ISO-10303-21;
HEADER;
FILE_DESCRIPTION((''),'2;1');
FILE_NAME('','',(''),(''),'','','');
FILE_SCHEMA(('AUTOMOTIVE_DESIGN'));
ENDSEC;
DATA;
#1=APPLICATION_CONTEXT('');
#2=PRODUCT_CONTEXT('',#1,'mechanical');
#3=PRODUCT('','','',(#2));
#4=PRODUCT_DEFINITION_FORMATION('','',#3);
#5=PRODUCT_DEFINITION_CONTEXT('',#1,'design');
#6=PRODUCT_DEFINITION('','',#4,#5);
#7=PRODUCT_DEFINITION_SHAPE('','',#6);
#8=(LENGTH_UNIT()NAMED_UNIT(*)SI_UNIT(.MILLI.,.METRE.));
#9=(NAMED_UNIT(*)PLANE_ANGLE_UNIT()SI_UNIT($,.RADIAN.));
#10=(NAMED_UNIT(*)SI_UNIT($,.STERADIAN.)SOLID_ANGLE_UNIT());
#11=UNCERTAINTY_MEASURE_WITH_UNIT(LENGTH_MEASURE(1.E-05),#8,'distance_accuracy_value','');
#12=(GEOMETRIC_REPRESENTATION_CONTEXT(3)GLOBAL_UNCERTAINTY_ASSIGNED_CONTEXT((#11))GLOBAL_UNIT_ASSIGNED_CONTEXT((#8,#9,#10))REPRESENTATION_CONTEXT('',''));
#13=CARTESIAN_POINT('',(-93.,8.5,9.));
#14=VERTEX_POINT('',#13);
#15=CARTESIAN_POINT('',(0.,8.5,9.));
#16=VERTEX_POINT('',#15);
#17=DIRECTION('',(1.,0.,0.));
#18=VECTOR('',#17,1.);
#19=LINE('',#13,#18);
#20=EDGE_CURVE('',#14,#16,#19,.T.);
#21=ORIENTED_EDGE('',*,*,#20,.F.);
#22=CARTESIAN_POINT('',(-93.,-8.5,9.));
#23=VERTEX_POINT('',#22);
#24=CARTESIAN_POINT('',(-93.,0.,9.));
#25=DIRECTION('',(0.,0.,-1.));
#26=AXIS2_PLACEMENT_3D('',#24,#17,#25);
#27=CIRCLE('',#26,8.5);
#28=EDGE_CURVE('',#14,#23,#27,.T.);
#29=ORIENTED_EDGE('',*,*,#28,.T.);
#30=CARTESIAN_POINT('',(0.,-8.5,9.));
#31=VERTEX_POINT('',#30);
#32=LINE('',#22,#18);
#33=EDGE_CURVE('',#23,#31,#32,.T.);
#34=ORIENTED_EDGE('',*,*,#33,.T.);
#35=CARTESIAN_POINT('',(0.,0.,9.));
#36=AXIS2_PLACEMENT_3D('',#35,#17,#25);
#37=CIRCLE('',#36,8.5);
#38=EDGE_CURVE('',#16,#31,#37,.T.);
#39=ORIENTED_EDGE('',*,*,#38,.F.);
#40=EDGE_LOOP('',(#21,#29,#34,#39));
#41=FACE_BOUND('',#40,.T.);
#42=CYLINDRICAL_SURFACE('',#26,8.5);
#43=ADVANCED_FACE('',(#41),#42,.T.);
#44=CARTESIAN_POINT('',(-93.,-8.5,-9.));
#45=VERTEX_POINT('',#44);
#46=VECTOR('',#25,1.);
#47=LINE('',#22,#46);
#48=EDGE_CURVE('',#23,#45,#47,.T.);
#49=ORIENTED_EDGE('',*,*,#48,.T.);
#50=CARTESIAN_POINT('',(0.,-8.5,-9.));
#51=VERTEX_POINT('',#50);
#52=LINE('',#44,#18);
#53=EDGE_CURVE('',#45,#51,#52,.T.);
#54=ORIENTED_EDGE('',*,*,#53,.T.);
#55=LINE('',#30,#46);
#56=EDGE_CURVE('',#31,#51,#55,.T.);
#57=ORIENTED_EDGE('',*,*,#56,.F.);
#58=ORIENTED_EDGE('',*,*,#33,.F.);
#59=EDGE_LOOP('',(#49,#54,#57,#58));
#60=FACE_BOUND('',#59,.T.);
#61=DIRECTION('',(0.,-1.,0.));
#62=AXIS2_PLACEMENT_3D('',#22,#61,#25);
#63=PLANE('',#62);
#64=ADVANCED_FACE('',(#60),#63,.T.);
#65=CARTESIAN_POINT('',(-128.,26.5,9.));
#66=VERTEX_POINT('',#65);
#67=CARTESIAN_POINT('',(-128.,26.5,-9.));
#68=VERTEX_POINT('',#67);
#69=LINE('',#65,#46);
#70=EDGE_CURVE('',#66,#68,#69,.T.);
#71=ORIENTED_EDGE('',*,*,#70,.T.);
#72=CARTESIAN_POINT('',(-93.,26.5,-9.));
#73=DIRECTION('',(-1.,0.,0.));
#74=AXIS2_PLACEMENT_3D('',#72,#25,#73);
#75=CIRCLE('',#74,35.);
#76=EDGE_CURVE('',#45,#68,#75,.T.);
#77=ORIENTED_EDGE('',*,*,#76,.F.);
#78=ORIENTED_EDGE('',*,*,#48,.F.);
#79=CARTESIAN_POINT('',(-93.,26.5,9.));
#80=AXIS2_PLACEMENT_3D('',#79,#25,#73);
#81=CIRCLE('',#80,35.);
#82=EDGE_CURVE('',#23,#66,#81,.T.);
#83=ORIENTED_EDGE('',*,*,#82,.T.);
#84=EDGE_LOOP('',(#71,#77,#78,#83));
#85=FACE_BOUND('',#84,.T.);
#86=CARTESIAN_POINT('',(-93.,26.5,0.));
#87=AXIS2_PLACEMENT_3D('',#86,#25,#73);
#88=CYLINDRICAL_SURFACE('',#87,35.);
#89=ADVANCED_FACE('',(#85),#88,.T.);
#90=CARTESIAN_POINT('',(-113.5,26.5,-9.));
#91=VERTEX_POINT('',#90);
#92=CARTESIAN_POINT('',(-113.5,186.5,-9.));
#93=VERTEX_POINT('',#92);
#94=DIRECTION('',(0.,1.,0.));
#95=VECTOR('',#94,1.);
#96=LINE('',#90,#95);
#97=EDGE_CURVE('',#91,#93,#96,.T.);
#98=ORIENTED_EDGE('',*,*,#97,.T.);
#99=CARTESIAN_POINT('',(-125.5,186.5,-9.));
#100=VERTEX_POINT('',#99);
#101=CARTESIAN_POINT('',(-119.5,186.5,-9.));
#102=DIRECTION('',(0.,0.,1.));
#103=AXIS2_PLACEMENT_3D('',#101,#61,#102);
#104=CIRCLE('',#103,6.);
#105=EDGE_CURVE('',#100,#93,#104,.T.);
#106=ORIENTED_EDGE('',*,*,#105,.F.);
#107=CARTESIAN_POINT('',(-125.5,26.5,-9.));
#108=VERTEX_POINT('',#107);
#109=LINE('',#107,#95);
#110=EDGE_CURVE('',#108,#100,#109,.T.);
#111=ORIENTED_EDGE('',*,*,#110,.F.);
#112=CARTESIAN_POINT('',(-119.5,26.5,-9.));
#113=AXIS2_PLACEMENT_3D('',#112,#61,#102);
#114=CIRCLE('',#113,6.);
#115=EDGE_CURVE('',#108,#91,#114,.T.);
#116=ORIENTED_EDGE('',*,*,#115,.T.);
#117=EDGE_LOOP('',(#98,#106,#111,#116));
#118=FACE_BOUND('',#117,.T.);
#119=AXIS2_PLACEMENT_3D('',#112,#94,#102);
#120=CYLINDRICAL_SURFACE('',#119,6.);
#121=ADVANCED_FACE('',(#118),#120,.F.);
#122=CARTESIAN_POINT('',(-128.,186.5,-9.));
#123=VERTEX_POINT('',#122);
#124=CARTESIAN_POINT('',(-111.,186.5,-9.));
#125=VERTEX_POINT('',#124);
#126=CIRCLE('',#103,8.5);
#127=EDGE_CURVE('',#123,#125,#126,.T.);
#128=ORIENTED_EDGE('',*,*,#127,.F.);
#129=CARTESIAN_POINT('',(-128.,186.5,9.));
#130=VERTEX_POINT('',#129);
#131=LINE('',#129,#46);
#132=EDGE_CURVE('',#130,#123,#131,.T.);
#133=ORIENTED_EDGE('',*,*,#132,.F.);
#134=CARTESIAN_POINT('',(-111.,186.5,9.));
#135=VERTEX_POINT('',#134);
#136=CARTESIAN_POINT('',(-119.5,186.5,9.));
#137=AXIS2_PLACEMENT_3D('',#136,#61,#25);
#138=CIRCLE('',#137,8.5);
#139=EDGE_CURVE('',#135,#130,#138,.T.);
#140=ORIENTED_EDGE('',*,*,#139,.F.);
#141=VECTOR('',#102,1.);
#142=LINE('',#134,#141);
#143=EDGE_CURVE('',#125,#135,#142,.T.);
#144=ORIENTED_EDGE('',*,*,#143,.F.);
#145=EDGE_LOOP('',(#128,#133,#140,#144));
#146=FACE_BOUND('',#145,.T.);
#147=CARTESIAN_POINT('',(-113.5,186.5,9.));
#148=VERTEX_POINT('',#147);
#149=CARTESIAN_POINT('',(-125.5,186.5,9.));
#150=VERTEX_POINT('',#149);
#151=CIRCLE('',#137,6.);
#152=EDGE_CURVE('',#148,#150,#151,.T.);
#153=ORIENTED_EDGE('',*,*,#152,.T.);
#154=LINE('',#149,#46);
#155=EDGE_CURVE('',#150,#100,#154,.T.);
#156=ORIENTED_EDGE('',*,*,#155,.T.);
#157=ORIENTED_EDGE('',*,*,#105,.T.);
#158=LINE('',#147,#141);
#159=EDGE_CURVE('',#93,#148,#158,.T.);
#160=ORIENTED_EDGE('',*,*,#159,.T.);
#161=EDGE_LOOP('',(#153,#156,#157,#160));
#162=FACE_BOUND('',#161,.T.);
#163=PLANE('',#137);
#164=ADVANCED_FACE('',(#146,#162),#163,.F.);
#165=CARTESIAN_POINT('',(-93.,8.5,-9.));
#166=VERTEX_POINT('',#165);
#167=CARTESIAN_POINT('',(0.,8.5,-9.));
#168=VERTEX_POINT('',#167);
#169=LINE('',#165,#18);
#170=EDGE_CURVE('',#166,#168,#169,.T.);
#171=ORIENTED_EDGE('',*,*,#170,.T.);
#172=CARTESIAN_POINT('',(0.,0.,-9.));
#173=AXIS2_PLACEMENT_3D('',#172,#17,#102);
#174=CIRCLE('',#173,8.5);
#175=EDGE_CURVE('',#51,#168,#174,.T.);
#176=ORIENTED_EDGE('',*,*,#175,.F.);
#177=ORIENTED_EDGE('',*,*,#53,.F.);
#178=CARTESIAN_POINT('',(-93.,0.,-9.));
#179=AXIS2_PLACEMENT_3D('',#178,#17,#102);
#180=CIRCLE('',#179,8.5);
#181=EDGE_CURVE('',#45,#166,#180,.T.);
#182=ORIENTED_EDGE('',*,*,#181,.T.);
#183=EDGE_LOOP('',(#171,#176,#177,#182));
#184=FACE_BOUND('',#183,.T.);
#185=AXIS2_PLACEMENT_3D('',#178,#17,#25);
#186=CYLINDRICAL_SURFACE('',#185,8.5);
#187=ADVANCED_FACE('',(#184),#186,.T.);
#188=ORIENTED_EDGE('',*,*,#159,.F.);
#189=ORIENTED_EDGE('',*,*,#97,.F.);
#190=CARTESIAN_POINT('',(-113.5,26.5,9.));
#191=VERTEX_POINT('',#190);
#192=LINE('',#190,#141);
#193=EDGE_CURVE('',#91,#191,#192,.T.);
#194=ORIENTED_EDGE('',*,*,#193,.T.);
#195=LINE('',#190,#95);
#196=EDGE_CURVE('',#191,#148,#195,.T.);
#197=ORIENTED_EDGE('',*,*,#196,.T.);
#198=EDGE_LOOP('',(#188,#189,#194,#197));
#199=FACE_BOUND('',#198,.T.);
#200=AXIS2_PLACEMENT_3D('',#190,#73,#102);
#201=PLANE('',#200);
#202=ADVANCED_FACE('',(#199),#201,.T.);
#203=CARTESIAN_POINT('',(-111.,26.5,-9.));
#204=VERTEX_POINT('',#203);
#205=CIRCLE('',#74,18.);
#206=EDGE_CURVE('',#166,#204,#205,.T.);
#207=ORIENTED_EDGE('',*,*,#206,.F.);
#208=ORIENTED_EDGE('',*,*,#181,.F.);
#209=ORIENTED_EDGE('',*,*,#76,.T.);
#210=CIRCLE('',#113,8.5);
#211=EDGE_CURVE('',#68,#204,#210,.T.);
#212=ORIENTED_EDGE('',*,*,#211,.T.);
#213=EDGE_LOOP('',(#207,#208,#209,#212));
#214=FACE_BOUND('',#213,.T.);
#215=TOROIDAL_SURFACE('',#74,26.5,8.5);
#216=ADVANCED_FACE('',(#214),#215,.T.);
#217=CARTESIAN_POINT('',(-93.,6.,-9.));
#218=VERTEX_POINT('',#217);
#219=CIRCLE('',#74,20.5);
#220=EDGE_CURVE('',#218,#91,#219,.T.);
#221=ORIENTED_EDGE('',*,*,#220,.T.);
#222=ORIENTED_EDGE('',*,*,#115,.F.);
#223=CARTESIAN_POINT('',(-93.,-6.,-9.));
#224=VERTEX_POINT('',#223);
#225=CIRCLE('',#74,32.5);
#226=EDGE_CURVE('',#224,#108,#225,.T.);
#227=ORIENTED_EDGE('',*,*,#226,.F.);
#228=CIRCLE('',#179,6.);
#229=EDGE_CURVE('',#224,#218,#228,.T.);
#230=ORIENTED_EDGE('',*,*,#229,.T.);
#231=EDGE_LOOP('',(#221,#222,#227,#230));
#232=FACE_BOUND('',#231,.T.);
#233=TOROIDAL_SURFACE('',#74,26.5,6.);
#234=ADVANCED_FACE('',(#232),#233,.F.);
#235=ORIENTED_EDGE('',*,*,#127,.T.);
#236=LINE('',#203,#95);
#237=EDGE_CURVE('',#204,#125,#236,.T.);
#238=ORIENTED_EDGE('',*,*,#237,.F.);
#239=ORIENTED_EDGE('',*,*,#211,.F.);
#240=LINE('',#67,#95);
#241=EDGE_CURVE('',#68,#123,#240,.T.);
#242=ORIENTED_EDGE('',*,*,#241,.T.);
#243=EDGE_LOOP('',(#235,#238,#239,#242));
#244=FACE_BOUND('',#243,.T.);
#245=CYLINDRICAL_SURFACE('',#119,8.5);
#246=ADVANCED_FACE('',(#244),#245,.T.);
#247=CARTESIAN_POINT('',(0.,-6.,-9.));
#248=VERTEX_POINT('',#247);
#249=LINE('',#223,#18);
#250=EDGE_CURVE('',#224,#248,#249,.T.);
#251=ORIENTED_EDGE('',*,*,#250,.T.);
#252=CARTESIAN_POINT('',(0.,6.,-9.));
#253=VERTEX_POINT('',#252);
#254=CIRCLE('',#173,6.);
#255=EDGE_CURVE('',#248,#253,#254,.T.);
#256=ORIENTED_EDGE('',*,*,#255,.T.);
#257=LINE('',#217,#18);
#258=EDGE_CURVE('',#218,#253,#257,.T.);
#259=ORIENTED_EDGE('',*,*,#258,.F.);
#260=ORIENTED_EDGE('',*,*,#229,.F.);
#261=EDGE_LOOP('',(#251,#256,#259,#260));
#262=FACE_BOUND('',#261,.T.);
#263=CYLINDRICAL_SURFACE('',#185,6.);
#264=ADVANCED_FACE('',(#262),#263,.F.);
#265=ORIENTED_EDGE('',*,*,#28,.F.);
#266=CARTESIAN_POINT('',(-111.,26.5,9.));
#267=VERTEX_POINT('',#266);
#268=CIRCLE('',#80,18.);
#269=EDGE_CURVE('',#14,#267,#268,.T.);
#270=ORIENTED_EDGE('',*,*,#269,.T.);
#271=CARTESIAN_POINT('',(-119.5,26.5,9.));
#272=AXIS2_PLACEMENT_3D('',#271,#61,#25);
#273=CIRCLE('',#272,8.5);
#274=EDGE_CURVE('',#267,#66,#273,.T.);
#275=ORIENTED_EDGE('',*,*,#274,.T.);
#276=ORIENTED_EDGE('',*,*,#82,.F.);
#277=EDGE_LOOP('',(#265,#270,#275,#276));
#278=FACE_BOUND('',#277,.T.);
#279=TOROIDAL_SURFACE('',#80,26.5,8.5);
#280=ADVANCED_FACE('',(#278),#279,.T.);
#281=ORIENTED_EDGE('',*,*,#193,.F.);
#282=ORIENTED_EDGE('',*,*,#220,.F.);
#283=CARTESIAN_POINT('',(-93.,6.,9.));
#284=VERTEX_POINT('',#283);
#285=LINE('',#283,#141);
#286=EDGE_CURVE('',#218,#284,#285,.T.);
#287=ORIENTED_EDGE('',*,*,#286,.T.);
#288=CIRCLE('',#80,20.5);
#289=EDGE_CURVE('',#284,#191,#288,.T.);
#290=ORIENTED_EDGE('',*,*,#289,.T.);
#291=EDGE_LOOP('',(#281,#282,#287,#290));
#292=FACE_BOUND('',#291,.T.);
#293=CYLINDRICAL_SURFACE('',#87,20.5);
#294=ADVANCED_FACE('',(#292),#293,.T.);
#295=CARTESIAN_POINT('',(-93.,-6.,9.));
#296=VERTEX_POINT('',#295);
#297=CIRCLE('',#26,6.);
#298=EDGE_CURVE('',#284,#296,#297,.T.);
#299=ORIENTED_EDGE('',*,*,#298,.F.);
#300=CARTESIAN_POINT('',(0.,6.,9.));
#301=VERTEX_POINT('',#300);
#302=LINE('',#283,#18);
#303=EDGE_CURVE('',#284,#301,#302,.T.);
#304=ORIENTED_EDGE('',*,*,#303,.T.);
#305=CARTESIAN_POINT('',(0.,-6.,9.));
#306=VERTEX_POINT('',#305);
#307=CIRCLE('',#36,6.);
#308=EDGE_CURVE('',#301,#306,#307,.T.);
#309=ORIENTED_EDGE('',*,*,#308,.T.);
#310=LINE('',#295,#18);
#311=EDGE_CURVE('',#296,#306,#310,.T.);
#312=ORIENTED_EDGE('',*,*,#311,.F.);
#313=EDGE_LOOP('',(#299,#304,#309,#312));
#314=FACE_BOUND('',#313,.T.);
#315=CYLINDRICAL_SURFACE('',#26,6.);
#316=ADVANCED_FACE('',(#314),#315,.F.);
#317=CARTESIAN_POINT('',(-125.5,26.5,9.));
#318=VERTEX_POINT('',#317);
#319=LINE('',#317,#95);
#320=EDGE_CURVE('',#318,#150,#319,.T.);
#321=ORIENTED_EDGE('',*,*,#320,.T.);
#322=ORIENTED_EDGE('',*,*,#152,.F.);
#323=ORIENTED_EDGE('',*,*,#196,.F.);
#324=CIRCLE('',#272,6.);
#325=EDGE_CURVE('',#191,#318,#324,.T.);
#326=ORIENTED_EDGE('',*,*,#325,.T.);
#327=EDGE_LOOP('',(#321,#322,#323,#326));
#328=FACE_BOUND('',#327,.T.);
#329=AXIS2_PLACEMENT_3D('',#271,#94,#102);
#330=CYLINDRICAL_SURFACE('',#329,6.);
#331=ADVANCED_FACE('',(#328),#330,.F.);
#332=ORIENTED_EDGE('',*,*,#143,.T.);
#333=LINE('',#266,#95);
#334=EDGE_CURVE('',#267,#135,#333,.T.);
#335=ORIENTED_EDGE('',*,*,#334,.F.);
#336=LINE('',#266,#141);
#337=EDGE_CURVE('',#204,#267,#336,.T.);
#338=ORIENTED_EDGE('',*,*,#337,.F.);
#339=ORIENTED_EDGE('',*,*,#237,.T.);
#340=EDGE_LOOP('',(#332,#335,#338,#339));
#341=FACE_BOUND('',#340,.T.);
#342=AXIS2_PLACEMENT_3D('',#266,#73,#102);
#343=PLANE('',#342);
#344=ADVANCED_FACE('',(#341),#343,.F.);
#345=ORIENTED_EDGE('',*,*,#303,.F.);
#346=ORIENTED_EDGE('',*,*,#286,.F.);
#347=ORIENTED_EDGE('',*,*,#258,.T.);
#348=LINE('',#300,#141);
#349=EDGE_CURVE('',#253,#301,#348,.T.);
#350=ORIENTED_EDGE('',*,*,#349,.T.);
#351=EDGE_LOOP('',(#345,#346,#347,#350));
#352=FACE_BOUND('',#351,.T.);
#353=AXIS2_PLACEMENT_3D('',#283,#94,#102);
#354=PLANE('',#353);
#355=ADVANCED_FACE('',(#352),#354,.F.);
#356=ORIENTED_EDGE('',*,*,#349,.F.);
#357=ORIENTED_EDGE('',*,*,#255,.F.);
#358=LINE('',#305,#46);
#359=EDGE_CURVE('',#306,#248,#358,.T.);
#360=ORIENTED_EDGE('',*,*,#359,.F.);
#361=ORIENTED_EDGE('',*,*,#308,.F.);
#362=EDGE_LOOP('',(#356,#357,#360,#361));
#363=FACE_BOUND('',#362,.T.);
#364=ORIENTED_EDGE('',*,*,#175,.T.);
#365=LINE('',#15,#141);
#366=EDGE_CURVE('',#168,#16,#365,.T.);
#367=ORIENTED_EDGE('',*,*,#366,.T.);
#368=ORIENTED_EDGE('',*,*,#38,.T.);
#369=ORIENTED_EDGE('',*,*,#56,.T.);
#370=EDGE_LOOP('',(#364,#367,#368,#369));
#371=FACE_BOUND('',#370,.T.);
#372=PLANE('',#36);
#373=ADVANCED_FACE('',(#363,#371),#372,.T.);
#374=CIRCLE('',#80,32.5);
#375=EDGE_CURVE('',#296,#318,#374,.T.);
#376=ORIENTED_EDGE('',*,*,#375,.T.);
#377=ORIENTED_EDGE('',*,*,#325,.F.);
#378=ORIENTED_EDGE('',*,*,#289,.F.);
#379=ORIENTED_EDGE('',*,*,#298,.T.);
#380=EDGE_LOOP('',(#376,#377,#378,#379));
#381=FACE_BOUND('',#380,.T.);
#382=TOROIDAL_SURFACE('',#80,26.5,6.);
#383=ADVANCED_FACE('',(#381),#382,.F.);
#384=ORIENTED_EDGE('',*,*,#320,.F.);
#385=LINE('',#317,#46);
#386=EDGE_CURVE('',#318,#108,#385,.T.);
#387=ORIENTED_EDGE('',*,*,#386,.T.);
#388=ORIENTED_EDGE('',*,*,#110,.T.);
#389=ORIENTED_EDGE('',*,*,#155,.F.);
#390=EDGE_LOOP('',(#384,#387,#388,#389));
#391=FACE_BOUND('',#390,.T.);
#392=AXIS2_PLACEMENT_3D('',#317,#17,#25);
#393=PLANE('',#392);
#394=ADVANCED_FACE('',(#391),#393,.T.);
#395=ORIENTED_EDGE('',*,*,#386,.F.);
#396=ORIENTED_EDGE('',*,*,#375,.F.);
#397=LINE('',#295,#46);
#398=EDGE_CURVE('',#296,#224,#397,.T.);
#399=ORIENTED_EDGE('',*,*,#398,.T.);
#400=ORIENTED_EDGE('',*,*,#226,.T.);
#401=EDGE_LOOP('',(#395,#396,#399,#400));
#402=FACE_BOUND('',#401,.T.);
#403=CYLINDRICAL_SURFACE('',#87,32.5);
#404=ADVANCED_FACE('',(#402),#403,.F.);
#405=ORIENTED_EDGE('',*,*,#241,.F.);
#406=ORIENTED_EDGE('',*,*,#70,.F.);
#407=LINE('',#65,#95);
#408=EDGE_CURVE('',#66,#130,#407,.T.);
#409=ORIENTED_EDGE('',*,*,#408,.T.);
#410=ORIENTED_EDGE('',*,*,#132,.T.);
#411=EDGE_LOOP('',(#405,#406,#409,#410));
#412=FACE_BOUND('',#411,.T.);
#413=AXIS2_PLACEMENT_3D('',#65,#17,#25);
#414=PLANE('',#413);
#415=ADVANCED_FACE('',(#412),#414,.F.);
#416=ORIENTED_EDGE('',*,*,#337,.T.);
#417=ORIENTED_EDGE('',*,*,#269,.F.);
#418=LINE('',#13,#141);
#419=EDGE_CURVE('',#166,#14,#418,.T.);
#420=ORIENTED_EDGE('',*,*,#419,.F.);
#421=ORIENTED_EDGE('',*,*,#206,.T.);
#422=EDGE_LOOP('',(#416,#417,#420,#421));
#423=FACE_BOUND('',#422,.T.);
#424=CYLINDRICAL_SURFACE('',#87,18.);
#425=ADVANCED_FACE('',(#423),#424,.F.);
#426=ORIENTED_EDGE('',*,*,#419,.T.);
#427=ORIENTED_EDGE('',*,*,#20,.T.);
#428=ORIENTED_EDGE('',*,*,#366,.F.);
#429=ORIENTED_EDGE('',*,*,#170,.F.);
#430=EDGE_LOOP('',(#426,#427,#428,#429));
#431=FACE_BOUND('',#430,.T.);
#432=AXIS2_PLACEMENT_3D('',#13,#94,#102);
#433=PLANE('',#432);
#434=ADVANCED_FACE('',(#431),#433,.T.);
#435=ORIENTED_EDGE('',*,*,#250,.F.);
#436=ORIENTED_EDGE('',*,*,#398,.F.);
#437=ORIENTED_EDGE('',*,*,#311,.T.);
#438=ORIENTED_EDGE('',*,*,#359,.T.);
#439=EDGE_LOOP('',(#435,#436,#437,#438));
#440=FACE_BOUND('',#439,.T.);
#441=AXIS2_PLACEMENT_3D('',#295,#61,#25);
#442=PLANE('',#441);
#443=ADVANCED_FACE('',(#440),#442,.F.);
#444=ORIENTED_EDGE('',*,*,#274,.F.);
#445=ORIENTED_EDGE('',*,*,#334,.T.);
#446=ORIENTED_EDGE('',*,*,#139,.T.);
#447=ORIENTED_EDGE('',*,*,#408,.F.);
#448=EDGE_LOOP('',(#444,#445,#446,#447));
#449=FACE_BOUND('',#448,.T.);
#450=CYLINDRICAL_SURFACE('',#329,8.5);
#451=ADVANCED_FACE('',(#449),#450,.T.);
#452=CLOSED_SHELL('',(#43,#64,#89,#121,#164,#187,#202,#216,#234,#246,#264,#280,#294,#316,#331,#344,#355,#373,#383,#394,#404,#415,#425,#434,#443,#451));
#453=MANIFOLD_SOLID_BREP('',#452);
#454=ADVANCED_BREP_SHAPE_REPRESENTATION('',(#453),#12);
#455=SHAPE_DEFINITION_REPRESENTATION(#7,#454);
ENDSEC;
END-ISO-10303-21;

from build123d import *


with BuildPart() as part:
    # Balayage2: sweep along a path in Esquisse2
    with BuildLine(Plane.XY) as balayage2_path:
        Line((-128, 186.5), (-128, 26.5))
        ThreePointArc((-128, 26.5), (-117.748737342, 1.751262658), (-93, -8.5))
        Line((-93, -8.5), (0, -8.5))
    # Esquisse1 → Balayage2 (sweep)
    with BuildSketch(Plane(origin=(0, 0, 0), x_dir=(0, 0, -1), z_dir=(1, 0, 0))):
        with BuildLine():
            Line((-9, -8.5), (9, -8.5))
            ThreePointArc((9, -8.5), (17.5, 0), (9, 8.5))
            Line((9, 8.5), (-9, 8.5))
            ThreePointArc((-9, 8.5), (-17.5, 0), (-9, -8.5))
        make_face()
        with BuildLine():
            Line((-9, 6), (9, 6))
            ThreePointArc((9, 6), (15, 0), (9, -6))
            Line((9, -6), (-9, -6))
            ThreePointArc((-9, -6), (-15, 0), (-9, 6))
        make_face(mode=Mode.SUBTRACT)
    sweep(path=balayage2_path.line)


solid = part.part
